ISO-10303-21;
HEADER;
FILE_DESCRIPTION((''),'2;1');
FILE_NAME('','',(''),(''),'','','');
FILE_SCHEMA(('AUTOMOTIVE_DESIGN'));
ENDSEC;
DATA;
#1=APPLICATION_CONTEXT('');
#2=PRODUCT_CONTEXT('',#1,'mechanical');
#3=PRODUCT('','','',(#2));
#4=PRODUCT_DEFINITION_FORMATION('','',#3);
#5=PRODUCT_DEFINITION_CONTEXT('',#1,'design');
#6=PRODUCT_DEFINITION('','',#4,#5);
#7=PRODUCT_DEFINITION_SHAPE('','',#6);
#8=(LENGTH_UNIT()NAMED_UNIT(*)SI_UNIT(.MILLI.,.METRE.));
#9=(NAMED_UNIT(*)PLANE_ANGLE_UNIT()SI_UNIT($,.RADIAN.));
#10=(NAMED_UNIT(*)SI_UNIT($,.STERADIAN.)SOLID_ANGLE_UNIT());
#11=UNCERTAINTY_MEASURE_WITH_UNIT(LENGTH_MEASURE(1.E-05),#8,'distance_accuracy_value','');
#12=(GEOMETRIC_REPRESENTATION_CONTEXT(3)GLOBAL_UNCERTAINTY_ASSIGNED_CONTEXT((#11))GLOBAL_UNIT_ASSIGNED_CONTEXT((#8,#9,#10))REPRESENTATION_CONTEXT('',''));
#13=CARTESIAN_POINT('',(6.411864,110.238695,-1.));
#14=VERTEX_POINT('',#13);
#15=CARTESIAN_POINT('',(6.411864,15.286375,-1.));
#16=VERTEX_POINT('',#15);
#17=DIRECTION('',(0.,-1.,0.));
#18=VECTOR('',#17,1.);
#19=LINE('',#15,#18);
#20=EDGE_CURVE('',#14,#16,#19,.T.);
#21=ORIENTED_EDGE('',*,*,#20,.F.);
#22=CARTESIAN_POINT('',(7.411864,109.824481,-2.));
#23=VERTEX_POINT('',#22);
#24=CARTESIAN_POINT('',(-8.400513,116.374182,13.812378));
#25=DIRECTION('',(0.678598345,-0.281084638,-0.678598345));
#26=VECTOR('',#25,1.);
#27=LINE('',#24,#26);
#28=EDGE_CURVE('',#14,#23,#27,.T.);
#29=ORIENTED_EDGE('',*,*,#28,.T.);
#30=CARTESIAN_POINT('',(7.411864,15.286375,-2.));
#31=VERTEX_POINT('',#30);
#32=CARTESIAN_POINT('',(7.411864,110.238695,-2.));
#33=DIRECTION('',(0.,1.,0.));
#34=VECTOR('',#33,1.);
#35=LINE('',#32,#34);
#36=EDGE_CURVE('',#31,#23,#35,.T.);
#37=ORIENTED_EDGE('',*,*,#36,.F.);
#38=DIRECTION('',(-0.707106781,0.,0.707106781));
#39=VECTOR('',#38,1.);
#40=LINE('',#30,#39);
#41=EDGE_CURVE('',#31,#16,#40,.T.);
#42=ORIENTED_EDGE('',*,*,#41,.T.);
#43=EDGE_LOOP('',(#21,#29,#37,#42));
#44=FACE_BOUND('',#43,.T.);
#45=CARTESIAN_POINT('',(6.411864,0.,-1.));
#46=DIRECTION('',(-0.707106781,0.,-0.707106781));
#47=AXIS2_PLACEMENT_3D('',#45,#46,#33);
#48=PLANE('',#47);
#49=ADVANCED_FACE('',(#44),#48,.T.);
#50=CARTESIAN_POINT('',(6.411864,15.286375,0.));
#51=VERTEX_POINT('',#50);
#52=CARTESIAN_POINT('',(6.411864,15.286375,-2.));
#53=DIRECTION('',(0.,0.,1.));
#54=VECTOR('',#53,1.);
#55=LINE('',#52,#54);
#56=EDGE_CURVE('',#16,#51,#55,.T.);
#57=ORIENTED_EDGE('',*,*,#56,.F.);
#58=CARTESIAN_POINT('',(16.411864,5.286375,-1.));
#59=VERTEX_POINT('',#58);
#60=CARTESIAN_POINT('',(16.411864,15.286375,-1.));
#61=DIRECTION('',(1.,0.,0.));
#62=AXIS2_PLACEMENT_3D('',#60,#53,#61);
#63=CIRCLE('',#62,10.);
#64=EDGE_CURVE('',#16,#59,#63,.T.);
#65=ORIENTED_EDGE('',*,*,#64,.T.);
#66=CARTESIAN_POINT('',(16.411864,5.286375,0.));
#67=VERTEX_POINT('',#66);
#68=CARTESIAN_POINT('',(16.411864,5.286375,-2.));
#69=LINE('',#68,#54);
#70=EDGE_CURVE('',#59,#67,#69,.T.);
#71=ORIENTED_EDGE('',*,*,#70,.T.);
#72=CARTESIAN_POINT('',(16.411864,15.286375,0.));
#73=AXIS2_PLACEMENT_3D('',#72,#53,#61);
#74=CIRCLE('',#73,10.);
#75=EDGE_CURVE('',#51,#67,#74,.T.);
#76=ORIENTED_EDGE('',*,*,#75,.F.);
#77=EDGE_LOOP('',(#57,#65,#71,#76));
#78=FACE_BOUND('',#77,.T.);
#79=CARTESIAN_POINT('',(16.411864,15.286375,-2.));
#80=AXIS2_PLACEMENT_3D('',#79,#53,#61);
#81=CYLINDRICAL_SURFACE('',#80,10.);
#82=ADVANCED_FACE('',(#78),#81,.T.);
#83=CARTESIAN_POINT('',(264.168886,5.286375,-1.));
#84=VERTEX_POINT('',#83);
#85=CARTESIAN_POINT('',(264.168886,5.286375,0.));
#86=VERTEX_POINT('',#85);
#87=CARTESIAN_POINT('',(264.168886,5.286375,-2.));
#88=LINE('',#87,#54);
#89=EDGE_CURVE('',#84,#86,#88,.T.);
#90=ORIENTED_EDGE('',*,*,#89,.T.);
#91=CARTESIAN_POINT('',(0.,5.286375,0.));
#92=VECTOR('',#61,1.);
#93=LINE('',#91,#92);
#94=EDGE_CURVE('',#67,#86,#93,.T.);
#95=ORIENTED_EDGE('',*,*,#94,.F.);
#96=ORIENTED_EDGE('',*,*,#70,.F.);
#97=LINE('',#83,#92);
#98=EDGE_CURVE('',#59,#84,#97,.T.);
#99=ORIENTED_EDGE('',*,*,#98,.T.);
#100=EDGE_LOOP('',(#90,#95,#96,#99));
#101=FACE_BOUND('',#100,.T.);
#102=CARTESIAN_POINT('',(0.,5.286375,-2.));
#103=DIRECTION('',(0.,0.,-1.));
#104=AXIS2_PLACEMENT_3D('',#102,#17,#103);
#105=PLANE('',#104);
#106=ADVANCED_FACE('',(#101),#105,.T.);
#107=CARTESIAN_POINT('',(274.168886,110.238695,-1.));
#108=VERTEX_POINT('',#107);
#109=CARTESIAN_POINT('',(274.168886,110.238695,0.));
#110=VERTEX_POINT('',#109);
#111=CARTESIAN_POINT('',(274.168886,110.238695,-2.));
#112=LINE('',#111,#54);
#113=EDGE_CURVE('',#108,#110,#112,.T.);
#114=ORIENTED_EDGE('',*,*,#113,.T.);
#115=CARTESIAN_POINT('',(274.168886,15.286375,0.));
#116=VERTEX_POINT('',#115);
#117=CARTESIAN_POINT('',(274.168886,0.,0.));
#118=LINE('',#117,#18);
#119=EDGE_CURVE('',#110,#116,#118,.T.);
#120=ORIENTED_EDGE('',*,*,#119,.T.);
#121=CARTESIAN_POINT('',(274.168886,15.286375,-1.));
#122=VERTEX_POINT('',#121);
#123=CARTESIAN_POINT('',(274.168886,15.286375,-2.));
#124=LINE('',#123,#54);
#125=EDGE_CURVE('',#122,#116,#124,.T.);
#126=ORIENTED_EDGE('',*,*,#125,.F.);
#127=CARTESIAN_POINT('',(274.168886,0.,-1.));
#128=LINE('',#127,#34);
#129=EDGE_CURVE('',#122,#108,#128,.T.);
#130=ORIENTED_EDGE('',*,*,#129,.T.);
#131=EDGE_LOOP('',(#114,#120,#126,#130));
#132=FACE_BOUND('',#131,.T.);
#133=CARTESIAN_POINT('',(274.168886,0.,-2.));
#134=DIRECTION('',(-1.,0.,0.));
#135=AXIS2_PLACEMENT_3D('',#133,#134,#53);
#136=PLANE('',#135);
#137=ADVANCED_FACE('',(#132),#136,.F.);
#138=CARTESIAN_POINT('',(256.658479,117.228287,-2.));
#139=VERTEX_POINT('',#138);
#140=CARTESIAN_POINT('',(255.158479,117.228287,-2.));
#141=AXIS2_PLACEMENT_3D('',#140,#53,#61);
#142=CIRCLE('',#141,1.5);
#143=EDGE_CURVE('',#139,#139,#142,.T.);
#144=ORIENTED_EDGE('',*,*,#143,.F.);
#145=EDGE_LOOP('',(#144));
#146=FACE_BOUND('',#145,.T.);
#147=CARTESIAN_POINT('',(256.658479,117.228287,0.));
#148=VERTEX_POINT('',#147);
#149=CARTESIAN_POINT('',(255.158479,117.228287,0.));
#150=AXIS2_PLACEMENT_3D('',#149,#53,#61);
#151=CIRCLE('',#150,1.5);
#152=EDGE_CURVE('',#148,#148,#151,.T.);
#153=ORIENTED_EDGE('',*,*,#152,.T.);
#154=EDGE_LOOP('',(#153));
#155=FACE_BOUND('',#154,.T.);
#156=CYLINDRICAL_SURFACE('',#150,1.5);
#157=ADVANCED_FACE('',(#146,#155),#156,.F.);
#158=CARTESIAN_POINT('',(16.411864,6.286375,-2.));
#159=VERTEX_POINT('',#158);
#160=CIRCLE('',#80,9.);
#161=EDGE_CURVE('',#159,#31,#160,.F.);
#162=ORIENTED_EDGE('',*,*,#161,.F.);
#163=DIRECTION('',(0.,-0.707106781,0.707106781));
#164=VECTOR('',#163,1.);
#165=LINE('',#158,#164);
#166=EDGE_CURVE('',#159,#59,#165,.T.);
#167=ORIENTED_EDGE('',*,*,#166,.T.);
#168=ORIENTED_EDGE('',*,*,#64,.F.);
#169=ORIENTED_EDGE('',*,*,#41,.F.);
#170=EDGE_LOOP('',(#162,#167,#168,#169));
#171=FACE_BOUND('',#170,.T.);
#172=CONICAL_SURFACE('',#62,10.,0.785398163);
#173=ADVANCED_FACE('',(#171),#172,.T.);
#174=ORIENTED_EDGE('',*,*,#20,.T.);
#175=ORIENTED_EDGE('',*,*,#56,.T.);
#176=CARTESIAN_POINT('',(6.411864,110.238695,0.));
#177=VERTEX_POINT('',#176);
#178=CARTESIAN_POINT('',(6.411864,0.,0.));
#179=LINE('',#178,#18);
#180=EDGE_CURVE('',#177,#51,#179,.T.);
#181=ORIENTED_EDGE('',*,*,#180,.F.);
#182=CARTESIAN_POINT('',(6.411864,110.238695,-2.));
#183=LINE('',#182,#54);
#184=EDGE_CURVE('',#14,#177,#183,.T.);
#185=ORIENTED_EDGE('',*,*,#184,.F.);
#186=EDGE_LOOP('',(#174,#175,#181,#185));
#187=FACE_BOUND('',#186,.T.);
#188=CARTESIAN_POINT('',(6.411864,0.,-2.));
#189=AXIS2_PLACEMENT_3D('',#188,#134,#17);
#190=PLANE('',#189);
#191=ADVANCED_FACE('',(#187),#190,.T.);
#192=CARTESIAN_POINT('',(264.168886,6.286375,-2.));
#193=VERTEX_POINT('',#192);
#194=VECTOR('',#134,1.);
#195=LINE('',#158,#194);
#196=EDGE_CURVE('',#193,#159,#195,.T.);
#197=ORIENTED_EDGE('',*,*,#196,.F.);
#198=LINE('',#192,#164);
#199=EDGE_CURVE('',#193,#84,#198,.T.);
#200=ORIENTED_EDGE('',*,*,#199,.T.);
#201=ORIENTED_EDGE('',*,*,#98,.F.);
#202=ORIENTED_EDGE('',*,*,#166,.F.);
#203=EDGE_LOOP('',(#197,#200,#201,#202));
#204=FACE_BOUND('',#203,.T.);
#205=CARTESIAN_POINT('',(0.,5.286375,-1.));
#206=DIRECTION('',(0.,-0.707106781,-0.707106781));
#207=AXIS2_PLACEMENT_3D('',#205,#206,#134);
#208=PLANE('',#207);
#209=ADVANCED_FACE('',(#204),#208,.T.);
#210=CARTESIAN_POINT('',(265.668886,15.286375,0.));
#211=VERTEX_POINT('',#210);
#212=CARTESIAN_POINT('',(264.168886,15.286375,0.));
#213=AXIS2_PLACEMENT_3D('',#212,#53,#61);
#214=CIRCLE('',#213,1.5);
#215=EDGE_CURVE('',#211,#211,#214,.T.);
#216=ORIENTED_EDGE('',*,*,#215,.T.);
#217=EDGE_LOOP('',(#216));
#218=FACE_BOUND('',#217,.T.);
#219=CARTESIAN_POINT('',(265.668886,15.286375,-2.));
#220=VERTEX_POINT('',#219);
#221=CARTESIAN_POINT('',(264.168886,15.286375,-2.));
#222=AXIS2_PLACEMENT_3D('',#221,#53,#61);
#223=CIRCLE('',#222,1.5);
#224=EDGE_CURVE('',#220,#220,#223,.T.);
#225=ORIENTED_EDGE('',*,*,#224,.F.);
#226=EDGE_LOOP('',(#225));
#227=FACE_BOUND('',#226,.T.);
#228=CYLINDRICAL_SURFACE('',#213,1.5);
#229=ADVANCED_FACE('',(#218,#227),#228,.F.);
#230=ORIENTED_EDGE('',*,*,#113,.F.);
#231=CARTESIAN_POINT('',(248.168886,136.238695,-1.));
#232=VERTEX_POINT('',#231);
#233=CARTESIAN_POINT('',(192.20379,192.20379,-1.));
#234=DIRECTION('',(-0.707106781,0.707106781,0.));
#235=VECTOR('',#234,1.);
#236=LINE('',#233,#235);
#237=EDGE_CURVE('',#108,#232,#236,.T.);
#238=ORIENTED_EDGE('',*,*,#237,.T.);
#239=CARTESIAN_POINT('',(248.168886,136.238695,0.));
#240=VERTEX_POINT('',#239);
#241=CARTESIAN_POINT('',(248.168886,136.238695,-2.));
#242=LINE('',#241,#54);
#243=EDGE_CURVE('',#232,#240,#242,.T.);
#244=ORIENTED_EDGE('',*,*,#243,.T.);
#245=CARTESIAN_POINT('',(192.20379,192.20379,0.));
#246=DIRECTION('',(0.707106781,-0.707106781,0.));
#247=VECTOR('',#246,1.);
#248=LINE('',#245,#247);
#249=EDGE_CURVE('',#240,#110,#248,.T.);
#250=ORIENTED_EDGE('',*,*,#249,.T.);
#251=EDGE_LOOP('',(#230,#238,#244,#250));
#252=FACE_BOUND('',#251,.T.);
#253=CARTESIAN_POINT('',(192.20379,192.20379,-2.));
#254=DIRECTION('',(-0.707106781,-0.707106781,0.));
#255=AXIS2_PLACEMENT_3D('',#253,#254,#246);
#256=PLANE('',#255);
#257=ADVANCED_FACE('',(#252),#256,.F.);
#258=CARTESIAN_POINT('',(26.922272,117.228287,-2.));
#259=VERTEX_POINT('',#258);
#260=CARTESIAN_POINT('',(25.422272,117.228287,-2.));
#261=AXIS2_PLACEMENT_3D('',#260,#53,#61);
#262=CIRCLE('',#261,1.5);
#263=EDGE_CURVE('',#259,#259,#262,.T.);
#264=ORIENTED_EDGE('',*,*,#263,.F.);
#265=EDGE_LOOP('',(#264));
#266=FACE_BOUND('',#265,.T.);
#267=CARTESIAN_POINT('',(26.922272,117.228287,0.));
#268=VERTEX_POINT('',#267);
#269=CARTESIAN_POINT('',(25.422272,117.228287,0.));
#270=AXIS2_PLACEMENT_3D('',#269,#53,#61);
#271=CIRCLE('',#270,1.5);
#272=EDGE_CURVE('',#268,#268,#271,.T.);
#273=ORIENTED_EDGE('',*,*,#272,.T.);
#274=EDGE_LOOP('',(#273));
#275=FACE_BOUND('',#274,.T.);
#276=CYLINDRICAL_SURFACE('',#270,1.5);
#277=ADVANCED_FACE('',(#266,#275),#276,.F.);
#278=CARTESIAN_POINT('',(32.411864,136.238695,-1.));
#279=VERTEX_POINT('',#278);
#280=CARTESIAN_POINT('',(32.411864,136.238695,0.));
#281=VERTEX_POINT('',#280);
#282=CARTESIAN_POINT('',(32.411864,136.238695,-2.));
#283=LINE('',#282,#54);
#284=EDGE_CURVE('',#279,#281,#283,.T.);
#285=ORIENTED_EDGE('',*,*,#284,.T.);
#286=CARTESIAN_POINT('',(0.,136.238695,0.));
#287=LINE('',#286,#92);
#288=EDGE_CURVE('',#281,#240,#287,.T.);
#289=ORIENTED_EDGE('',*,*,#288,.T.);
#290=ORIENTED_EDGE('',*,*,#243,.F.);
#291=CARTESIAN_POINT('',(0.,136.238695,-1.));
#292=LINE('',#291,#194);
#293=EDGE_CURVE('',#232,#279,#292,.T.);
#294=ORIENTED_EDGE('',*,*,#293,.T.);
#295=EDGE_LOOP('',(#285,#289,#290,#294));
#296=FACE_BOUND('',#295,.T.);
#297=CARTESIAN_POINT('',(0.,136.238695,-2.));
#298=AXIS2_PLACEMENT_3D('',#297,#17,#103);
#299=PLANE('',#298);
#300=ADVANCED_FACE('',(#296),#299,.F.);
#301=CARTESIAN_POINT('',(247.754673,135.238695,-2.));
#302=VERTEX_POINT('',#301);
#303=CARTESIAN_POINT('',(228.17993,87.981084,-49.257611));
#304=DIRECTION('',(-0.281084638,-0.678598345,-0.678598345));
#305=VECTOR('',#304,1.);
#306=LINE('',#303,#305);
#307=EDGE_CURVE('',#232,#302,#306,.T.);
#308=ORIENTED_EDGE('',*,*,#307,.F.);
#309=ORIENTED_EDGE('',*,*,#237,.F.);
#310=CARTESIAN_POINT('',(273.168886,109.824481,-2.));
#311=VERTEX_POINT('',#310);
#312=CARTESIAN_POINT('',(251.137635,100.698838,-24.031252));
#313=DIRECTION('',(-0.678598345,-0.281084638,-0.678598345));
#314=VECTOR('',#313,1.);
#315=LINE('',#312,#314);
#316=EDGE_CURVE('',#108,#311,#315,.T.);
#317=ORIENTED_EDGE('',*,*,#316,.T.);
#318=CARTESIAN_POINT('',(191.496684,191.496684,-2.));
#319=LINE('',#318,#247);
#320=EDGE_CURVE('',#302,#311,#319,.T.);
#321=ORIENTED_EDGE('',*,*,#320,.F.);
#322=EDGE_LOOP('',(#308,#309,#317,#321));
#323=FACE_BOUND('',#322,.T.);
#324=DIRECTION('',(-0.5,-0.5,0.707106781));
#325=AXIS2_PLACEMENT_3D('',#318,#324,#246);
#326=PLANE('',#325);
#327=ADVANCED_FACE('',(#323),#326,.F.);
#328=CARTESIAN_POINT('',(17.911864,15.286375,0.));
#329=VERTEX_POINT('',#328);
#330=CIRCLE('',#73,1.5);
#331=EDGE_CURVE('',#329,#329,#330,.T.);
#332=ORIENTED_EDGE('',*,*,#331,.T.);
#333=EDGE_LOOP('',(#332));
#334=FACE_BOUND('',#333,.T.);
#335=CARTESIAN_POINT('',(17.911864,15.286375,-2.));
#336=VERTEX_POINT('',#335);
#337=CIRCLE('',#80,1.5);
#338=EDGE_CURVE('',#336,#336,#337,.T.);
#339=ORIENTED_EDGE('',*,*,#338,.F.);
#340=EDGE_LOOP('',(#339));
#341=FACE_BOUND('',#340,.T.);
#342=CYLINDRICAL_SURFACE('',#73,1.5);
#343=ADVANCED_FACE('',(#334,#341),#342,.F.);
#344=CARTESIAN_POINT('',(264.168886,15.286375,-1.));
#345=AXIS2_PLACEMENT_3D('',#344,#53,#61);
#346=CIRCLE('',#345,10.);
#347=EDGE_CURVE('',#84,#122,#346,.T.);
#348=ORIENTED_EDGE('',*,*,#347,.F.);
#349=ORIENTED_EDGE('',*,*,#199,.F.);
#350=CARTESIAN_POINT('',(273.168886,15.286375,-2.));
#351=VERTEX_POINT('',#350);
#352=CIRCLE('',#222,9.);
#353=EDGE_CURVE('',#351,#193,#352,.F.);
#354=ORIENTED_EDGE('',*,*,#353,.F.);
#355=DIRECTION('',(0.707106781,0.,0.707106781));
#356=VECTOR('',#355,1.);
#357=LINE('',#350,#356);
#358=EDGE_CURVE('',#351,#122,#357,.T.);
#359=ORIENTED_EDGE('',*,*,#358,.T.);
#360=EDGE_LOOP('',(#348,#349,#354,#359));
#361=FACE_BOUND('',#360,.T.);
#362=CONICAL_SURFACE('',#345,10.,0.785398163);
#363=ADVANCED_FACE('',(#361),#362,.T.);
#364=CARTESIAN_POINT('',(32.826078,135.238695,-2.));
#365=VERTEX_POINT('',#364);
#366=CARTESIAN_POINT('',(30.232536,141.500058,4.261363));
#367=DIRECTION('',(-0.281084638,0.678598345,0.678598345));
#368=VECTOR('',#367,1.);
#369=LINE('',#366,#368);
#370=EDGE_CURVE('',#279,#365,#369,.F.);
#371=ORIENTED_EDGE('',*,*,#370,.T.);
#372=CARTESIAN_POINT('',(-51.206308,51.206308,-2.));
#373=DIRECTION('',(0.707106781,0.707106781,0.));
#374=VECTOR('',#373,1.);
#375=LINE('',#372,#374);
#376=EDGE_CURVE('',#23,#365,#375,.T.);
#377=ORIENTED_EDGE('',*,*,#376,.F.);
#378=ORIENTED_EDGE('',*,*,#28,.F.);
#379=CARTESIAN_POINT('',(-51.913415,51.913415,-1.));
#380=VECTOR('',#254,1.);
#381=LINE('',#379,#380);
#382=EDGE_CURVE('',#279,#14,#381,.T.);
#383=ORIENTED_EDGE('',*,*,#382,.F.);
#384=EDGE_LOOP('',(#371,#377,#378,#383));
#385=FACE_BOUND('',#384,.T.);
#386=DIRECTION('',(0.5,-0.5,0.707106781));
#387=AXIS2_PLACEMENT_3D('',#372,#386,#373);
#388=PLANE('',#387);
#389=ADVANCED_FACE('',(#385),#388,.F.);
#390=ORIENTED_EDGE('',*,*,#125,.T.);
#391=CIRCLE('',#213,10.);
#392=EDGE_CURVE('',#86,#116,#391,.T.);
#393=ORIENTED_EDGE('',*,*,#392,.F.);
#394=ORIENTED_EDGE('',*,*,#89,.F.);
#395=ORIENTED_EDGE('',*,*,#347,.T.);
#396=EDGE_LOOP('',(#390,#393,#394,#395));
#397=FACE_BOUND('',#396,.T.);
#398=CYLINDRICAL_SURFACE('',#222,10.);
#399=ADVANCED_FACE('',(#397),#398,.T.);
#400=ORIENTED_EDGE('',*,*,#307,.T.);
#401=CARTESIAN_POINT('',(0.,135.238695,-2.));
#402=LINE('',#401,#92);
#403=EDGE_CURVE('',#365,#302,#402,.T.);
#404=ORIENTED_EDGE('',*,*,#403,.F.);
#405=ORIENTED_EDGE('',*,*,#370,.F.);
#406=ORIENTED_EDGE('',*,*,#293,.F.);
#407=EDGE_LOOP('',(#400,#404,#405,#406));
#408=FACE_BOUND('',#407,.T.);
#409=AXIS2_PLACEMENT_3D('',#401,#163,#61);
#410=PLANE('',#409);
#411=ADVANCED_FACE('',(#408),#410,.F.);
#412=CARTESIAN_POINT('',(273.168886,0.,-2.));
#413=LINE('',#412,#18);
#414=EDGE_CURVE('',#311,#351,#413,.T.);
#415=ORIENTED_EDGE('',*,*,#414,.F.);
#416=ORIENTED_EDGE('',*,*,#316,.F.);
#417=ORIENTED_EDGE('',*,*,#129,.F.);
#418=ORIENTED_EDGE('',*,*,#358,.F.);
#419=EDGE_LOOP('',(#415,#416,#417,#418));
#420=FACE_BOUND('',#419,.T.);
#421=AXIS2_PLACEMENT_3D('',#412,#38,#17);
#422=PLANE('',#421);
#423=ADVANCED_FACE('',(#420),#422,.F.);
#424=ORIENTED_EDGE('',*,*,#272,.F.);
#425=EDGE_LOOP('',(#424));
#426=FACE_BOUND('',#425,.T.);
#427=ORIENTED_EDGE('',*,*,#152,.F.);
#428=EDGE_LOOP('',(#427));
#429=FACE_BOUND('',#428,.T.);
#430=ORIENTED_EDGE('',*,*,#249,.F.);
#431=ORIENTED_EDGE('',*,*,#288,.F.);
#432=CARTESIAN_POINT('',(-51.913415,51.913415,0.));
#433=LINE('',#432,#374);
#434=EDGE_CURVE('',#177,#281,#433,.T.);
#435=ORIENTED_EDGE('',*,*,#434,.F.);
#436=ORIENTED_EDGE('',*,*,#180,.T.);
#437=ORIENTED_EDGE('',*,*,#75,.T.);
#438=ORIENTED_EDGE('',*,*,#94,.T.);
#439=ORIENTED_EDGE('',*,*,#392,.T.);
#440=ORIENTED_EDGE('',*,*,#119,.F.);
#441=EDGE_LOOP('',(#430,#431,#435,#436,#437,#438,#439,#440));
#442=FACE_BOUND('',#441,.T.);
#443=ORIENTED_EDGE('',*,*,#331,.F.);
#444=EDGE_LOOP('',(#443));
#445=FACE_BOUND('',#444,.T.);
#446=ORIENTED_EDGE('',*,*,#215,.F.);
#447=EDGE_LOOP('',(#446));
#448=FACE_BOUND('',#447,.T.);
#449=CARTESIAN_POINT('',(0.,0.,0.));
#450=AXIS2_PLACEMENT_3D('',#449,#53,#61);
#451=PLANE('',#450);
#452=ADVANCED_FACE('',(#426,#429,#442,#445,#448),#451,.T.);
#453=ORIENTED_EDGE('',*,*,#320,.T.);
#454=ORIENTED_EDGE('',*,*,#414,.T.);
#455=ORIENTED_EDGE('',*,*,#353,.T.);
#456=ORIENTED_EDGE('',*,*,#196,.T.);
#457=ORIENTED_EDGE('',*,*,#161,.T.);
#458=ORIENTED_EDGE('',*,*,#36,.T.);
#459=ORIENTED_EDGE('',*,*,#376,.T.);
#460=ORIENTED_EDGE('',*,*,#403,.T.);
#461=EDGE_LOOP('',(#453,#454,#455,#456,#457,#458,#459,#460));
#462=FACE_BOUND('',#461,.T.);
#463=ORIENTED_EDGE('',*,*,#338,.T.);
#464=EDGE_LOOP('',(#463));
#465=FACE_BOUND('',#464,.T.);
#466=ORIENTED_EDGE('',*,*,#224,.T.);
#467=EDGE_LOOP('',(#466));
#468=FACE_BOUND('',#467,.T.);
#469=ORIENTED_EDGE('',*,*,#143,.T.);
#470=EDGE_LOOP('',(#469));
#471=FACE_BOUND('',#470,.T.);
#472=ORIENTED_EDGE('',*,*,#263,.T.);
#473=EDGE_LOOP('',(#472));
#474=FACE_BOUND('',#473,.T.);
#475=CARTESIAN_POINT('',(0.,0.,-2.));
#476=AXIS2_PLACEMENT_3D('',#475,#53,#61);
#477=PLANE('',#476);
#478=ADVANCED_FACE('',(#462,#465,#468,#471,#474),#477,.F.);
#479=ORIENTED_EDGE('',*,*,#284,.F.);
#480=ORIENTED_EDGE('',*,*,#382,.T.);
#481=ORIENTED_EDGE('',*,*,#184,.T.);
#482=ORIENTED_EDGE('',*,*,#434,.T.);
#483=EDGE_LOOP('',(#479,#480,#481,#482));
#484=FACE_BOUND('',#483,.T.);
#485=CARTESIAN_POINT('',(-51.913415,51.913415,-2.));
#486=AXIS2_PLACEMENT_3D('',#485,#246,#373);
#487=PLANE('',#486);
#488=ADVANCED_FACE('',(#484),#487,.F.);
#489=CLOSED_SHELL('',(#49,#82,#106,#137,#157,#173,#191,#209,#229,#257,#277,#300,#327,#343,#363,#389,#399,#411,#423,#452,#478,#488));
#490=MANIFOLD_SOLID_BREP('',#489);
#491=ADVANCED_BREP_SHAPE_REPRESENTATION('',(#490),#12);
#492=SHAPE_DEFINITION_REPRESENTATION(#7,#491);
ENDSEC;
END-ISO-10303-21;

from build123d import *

# Parameters (mm, degrees)
BOSS_EXTRUDE1_DEPTH   = 2
F_3_0MM_DOWEL_HOLE1_D = 3
CHAMFER1_SIZE         = 1


with BuildPart() as part:
    # Sketch2 → Boss-Extrude1 (new body)
    with BuildSketch(Plane.XY):
        with BuildLine():
            Line((6.41186441, 110.238694526), (6.41186441, 15.286374556))
            ThreePointArc((6.41186441, 15.286374556), (9.340796598, 8.215306744), (16.41186441, 5.286374556))
            Line((16.41186441, 5.286374556), (264.168886442, 5.286374556))
            ThreePointArc((264.168886442, 5.286374556), (271.239954254, 8.215306744), (274.168886442, 15.286374556))
            Line((274.168886442, 15.286374556), (274.168886442, 110.238694526))
            Line((274.168886442, 110.238694526), (248.168886442, 136.238694526))
            Line((248.168886442, 136.238694526), (32.41186441, 136.238694526))
            Line((32.41186441, 136.238694526), (6.41186441, 110.238694526))
        make_face()
    extrude(amount=-BOSS_EXTRUDE1_DEPTH)

    # Ø3.0mm Dowel Hole1 (through all)
    with Locations(Plane.XY):
        with Locations((16.41186441, 15.286374556), (25.42227205, 117.228286886), (255.158478802, 117.228286886), (264.168886442, 15.286374556)):
            Hole(F_3_0MM_DOWEL_HOLE1_D / 2)

    # Chamfer1
    chamfer1_edges = [part.edges().sort_by_distance(p)[0] for p in [
        (6.41186441, 62.762534541, -2),
        (9.340796598, 8.215306744, -2),
        (140.290375426, 5.286374556, -2),
        (271.239954254, 8.215306744, -2),
        (19.41186441, 123.238694526, -2),
        (274.168886442, 62.762534541, -2),
        (261.168886442, 123.238694526, -2),
        (140.290375426, 136.238694526, -2),
    ]]
    chamfer(chamfer1_edges, length=CHAMFER1_SIZE)


solid = part.part
